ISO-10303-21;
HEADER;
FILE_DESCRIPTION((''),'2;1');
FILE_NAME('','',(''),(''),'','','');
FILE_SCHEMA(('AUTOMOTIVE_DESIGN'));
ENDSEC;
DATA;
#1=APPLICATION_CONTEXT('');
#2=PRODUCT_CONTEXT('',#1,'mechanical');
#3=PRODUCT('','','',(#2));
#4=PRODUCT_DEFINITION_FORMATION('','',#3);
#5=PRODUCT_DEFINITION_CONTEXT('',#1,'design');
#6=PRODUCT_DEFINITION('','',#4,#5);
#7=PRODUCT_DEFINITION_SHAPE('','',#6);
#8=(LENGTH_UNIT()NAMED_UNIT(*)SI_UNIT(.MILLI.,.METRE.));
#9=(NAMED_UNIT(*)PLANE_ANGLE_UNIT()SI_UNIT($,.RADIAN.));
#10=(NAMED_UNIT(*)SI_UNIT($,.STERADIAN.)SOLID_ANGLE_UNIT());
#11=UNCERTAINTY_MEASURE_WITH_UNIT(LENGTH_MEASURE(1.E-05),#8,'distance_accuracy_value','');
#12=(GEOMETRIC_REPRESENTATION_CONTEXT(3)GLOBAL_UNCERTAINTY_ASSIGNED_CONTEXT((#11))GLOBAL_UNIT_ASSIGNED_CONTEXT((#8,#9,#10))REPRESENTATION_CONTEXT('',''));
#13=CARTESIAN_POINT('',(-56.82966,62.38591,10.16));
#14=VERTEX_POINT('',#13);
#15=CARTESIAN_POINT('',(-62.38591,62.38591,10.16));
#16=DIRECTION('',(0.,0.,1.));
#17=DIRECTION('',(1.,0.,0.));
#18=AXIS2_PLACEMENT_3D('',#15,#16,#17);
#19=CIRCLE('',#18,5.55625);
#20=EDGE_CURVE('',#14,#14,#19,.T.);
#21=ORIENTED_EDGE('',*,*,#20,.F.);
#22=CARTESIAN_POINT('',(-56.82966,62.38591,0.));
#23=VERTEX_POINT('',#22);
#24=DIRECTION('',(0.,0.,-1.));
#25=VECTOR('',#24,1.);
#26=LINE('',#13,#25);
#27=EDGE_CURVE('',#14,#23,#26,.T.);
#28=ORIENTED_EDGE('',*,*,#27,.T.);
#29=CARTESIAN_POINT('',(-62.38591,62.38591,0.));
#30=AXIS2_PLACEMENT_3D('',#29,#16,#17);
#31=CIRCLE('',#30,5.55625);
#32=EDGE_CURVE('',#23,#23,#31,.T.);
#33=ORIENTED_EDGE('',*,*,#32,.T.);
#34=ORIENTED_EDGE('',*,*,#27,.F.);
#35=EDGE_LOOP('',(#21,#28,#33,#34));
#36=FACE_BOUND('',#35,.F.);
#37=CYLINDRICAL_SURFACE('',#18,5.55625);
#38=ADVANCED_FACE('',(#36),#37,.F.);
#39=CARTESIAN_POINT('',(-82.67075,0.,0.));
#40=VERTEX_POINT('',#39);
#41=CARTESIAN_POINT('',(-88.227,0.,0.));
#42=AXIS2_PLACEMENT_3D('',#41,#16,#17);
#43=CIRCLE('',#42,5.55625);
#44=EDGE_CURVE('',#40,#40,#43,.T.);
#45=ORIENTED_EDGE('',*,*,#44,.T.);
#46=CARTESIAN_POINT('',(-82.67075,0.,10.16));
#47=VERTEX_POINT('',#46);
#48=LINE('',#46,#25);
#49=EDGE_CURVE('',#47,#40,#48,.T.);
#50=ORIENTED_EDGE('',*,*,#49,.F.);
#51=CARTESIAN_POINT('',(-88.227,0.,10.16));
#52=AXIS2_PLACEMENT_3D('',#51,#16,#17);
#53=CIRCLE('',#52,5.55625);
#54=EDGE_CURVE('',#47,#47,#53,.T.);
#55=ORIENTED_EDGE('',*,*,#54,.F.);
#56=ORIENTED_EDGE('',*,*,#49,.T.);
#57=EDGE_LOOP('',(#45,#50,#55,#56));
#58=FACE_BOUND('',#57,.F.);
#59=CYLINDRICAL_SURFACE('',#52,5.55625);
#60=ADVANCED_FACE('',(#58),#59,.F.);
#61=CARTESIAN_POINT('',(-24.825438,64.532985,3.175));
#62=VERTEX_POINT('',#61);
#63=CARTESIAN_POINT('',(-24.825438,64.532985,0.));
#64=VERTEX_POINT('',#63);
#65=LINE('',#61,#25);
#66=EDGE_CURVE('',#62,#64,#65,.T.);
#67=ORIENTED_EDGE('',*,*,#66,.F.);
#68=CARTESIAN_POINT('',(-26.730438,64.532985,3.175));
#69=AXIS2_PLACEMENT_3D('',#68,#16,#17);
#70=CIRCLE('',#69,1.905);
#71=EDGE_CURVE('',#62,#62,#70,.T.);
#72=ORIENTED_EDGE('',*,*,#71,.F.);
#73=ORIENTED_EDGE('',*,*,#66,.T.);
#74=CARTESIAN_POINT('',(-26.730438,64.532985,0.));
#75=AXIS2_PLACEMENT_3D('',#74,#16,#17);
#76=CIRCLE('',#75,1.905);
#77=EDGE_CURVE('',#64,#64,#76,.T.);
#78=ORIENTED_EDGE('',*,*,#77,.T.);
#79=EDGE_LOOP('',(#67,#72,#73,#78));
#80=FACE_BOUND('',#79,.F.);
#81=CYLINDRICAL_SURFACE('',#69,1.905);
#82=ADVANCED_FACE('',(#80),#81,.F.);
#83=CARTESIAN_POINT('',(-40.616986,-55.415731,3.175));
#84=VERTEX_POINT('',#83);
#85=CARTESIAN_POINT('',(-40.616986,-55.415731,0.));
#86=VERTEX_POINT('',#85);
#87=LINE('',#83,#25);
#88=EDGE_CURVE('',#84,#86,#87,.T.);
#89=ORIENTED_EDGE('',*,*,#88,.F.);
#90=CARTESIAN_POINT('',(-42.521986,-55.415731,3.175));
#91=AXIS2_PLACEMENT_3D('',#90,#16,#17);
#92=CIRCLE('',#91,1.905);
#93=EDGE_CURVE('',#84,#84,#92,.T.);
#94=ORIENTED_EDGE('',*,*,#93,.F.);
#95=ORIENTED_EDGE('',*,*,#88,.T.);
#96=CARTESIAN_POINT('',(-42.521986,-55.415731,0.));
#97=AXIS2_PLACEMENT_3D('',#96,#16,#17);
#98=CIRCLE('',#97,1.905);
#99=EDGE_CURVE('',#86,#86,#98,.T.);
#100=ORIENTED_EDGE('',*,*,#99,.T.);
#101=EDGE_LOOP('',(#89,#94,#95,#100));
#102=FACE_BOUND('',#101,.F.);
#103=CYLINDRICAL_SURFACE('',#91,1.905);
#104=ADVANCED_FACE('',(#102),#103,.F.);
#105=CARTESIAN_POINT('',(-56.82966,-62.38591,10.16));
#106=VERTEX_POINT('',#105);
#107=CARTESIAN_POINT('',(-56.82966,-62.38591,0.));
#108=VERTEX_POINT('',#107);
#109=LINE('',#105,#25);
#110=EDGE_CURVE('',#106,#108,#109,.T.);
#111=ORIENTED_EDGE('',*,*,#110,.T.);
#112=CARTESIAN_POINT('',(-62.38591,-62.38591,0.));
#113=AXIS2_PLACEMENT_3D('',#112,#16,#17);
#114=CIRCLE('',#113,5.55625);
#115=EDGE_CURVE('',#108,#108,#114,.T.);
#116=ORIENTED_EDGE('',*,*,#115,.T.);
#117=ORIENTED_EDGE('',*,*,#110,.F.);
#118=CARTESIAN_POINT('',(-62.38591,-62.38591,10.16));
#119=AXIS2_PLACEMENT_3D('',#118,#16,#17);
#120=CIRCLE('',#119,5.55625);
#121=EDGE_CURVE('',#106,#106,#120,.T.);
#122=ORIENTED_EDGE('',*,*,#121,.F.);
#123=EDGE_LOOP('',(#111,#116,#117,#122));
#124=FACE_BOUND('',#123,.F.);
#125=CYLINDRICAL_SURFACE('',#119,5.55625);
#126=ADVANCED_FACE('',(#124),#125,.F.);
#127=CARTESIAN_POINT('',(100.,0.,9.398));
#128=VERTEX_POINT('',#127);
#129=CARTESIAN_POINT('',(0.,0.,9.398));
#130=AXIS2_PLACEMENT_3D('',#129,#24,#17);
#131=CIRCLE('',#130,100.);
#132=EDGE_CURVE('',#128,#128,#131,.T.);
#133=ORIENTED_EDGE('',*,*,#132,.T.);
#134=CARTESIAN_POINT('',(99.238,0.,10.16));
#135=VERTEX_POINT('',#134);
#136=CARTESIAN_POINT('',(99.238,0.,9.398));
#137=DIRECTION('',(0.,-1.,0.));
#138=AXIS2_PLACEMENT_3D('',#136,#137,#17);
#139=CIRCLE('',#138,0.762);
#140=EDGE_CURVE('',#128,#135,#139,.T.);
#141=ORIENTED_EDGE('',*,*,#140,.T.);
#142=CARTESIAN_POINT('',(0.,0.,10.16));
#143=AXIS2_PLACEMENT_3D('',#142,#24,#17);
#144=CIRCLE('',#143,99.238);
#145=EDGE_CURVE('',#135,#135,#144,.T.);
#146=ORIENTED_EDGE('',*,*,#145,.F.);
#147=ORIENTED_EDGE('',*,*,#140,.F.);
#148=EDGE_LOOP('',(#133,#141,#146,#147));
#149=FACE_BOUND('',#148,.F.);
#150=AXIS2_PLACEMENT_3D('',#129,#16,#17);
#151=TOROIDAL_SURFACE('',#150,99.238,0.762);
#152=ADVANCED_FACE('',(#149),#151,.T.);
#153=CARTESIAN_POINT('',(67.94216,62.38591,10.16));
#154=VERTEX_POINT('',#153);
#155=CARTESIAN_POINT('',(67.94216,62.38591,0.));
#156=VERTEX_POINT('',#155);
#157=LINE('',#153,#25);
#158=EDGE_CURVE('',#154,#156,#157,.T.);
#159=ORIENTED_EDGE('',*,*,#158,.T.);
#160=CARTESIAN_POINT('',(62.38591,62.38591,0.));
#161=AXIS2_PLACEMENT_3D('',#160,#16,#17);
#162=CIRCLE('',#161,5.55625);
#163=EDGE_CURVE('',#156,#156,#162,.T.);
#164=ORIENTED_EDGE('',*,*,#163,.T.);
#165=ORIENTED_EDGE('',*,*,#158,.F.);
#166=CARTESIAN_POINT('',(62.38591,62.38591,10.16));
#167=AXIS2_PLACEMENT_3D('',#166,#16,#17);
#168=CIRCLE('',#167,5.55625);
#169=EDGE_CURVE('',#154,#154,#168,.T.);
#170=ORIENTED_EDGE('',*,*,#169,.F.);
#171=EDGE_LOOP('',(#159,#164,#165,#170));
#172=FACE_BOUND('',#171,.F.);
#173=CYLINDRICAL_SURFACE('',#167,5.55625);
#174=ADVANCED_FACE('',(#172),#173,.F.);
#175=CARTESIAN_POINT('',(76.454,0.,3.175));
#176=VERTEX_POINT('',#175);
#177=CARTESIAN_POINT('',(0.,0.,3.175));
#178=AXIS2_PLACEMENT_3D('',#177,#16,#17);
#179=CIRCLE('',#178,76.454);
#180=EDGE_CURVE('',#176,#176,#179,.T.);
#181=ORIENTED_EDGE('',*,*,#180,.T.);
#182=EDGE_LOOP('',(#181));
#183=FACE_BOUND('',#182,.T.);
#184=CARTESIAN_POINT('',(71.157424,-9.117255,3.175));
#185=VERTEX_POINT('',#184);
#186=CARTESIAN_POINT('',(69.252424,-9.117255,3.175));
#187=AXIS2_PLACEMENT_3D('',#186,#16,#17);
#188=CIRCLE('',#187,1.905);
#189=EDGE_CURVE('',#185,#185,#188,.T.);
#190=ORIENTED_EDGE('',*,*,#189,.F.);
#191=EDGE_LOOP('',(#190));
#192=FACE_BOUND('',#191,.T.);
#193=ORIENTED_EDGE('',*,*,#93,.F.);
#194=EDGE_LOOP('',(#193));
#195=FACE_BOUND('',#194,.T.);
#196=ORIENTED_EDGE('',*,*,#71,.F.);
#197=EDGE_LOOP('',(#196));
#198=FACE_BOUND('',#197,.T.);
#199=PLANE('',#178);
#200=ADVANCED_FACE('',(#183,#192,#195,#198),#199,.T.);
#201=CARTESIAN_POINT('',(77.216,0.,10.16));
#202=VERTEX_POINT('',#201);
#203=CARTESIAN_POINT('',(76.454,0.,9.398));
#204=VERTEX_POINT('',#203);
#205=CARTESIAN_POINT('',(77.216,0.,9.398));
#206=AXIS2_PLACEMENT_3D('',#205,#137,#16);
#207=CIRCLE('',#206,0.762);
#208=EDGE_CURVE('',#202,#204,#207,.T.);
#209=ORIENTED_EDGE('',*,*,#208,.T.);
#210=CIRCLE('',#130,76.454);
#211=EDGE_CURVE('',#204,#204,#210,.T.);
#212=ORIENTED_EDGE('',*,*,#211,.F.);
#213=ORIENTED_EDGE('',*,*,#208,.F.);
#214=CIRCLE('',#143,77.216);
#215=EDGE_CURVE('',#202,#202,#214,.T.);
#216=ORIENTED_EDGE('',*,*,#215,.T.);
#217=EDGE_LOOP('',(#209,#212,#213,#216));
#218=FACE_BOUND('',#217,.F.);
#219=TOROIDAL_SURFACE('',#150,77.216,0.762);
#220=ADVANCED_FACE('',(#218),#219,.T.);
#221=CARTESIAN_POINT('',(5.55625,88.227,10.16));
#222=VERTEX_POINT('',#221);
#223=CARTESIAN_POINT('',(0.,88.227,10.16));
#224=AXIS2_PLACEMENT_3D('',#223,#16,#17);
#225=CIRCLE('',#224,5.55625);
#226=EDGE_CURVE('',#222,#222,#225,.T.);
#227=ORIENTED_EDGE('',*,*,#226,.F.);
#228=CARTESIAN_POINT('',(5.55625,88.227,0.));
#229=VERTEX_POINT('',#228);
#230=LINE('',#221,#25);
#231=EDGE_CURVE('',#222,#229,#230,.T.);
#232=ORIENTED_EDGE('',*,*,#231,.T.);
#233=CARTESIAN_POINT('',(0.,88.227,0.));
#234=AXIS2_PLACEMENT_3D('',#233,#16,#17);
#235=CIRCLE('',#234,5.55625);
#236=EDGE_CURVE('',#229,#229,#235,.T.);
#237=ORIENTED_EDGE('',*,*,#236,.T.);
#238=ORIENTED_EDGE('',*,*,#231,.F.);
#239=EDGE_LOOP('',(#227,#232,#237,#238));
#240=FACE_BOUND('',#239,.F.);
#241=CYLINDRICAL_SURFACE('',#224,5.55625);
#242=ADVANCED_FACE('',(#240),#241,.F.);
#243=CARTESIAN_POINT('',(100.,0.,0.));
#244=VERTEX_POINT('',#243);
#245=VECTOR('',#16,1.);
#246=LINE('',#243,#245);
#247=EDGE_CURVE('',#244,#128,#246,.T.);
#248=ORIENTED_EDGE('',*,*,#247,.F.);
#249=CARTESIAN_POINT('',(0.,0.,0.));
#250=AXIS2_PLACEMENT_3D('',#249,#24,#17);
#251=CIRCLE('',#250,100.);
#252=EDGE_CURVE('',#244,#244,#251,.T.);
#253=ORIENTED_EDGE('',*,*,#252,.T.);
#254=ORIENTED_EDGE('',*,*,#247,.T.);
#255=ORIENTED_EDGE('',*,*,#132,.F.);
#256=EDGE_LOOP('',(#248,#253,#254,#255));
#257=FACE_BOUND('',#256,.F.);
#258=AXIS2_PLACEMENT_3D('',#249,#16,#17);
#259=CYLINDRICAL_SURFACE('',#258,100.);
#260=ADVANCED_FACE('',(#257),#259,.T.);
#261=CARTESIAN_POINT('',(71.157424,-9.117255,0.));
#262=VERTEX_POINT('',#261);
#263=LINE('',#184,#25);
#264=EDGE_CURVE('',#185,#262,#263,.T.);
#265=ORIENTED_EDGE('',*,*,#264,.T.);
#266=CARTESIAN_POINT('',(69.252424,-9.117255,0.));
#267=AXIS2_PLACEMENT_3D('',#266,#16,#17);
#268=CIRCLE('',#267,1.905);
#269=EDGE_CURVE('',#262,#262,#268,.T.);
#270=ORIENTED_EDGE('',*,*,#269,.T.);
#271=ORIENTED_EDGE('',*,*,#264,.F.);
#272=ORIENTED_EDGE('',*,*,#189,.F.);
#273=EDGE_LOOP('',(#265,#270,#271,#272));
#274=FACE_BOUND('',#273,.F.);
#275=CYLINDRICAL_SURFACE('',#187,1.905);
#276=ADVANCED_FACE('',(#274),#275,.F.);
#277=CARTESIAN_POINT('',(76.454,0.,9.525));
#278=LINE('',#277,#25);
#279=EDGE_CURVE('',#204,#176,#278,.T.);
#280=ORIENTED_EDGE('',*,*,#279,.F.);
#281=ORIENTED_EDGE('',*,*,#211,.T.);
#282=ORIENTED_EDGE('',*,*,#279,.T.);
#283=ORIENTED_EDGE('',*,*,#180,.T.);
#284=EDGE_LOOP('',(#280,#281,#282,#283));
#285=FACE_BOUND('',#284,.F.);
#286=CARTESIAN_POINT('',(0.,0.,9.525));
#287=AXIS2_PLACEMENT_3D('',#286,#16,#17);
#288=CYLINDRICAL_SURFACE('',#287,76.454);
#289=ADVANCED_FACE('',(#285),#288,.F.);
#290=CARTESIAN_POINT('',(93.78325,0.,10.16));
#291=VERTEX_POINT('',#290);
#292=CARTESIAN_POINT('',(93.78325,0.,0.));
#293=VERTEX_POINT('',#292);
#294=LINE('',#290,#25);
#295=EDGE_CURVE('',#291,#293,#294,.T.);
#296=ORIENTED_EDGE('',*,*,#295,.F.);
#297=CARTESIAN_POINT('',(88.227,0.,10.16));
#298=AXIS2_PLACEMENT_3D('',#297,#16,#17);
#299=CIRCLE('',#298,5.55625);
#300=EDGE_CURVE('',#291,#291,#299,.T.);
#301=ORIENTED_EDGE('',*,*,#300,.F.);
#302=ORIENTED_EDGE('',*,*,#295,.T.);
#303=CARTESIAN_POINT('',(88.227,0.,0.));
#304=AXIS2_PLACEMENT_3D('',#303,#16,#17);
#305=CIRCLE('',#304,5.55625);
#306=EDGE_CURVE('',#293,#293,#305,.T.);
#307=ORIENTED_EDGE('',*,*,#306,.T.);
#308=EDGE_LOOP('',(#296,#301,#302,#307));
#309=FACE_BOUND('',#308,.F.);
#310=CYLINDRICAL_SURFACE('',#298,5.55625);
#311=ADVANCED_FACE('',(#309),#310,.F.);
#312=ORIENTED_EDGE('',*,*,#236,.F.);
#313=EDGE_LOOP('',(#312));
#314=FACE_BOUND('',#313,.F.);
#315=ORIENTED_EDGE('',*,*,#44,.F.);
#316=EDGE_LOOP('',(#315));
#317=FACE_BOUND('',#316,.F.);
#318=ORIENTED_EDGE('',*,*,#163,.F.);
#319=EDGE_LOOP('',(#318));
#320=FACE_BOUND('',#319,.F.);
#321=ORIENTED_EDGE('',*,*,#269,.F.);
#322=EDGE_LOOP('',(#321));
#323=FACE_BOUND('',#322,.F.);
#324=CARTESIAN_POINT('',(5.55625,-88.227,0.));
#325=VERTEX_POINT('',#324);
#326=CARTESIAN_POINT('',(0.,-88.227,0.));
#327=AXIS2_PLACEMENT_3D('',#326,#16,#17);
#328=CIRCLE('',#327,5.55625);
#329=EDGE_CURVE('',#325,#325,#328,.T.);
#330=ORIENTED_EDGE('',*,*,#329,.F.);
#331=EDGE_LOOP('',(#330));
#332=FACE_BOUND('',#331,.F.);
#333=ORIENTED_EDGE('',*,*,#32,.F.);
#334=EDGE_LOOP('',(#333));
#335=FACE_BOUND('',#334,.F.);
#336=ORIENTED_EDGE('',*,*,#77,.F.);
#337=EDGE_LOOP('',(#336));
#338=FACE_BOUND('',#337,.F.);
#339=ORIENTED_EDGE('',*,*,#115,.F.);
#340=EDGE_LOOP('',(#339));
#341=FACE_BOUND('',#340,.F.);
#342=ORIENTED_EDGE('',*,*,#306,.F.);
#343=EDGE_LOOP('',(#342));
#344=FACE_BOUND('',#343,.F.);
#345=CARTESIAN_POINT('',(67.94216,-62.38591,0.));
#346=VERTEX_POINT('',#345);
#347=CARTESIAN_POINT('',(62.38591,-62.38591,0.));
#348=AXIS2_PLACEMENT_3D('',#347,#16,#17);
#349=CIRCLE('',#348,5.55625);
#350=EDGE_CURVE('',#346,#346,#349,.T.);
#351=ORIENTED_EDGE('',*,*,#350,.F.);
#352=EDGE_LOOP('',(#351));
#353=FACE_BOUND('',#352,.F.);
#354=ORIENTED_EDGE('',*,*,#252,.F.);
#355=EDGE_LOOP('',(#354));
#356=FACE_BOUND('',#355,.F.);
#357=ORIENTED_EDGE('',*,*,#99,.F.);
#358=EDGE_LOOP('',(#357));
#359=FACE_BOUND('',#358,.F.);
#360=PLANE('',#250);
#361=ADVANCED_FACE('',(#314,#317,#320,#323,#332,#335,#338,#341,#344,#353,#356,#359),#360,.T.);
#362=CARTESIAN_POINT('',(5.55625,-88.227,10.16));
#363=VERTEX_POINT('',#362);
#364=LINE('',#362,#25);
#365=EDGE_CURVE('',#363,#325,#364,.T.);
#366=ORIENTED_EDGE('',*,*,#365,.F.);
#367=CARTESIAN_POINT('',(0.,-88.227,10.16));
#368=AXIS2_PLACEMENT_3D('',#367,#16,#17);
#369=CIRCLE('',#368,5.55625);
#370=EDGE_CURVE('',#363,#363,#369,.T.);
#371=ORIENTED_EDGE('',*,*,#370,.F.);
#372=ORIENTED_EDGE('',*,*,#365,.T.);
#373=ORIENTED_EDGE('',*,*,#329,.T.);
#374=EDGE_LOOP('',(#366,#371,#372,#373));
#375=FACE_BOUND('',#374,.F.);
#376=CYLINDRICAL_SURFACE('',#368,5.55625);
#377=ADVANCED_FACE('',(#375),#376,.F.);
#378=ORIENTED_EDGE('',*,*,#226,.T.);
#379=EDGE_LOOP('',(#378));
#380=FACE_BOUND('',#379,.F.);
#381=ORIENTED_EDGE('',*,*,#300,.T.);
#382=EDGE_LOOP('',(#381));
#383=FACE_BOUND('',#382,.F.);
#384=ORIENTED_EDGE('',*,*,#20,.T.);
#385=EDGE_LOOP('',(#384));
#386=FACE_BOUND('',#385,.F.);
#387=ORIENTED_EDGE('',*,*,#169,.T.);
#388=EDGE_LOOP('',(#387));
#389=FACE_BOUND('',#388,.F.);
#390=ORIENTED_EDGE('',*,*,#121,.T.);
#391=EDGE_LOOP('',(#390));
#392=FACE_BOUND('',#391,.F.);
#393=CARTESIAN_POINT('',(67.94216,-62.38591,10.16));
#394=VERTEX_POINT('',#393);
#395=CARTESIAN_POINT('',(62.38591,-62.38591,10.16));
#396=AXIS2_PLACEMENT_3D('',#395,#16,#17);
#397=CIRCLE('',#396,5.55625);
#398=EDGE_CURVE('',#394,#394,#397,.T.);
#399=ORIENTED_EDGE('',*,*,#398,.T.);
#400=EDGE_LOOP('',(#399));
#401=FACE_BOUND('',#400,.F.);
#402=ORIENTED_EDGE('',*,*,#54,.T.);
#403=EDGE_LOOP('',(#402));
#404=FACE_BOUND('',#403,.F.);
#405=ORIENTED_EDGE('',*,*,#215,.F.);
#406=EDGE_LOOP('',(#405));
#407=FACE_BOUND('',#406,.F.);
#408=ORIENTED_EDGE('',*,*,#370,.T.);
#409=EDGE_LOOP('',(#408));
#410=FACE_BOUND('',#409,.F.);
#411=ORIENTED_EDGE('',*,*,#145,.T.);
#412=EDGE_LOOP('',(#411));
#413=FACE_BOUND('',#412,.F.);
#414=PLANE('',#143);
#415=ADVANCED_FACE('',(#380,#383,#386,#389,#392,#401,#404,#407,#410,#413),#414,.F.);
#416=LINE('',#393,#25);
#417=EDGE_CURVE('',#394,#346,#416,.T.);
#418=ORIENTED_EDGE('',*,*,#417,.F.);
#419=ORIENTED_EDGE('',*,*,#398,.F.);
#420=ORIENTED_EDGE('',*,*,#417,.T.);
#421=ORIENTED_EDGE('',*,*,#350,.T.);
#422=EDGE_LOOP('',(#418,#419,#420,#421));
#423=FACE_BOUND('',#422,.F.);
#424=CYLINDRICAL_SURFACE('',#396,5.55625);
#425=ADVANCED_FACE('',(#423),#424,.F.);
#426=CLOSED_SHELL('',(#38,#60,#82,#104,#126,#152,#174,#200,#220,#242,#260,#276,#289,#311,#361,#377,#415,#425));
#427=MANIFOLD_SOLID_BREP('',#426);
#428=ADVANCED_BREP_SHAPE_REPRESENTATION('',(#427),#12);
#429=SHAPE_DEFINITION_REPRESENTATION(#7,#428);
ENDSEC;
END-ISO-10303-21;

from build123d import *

# Parameters (mm, degrees)
F2_R     = 76.454
F3_DEPTH = 6.35
F4_R     = 5.55625
F5_DEPTH = 10.161
F6_R     = 1.905
F7_DEPTH = 3.176


with BuildPart() as f1:
    # F0 (on Front) → F1 (revolve)
    with BuildSketch(Plane.XZ):
        with BuildLine():
            Line((0, 9.525), (0, 0))
            Line((0, 0), (100, 0))
            Line((100, 0), (100, 9.398))
            ThreePointArc((100, 9.398), (99.7768153673, 9.9368153673), (99.238, 10.16))
            Line((99.238, 10.16), (77.216, 10.16))
            ThreePointArc((77.216, 10.16), (76.6771846327, 9.9368153673), (76.454, 9.398))
            Line((76.454, 9.398), (76.454, 9.525))
            Line((76.454, 9.525), (0, 9.525))
        make_face()
    revolve(axis=Axis((0, 0, 85.8672061428), (0, 0, -1)))

    # F2 (on face) → F3 (cut)
    with BuildSketch(Plane.XY.offset(9.525)):
        Circle(F2_R)
    extrude(amount=-F3_DEPTH, mode=Mode.SUBTRACT)

    # F4 (on face) → F5 (cut, through all)
    with BuildSketch(Plane.XY.offset(10.16)):
        with Locations((0, 88.227)):
            Circle(F4_R)
        with Locations((-62.3859099837, 62.3859099837)):
            Circle(F4_R)
        with Locations((-88.227, 0)):
            Circle(F4_R)
        with Locations((-62.3859099837, -62.3859099837)):
            Circle(F4_R)
        with Locations((0, -88.227)):
            Circle(F4_R)
        with Locations((62.3859099837, -62.3859099837)):
            Circle(F4_R)
        with Locations((88.227, 0)):
            Circle(F4_R)
        with Locations((62.3859099837, 62.3859099837)):
            Circle(F4_R)
    extrude(amount=-F5_DEPTH, mode=Mode.SUBTRACT)

    # F6 (on face) → F7 (cut, through all)
    with BuildSketch(Plane.XY.offset(3.175)):
        with Locations((-26.7304377507, 64.5329853459)):
            Circle(F6_R)
        with Locations((-42.5219858163, -55.4157308193)):
            Circle(F6_R)
        with Locations((69.252423567, -9.1172545266)):
            Circle(F6_R)
    extrude(amount=-F7_DEPTH, mode=Mode.SUBTRACT)


solid = f1.part
